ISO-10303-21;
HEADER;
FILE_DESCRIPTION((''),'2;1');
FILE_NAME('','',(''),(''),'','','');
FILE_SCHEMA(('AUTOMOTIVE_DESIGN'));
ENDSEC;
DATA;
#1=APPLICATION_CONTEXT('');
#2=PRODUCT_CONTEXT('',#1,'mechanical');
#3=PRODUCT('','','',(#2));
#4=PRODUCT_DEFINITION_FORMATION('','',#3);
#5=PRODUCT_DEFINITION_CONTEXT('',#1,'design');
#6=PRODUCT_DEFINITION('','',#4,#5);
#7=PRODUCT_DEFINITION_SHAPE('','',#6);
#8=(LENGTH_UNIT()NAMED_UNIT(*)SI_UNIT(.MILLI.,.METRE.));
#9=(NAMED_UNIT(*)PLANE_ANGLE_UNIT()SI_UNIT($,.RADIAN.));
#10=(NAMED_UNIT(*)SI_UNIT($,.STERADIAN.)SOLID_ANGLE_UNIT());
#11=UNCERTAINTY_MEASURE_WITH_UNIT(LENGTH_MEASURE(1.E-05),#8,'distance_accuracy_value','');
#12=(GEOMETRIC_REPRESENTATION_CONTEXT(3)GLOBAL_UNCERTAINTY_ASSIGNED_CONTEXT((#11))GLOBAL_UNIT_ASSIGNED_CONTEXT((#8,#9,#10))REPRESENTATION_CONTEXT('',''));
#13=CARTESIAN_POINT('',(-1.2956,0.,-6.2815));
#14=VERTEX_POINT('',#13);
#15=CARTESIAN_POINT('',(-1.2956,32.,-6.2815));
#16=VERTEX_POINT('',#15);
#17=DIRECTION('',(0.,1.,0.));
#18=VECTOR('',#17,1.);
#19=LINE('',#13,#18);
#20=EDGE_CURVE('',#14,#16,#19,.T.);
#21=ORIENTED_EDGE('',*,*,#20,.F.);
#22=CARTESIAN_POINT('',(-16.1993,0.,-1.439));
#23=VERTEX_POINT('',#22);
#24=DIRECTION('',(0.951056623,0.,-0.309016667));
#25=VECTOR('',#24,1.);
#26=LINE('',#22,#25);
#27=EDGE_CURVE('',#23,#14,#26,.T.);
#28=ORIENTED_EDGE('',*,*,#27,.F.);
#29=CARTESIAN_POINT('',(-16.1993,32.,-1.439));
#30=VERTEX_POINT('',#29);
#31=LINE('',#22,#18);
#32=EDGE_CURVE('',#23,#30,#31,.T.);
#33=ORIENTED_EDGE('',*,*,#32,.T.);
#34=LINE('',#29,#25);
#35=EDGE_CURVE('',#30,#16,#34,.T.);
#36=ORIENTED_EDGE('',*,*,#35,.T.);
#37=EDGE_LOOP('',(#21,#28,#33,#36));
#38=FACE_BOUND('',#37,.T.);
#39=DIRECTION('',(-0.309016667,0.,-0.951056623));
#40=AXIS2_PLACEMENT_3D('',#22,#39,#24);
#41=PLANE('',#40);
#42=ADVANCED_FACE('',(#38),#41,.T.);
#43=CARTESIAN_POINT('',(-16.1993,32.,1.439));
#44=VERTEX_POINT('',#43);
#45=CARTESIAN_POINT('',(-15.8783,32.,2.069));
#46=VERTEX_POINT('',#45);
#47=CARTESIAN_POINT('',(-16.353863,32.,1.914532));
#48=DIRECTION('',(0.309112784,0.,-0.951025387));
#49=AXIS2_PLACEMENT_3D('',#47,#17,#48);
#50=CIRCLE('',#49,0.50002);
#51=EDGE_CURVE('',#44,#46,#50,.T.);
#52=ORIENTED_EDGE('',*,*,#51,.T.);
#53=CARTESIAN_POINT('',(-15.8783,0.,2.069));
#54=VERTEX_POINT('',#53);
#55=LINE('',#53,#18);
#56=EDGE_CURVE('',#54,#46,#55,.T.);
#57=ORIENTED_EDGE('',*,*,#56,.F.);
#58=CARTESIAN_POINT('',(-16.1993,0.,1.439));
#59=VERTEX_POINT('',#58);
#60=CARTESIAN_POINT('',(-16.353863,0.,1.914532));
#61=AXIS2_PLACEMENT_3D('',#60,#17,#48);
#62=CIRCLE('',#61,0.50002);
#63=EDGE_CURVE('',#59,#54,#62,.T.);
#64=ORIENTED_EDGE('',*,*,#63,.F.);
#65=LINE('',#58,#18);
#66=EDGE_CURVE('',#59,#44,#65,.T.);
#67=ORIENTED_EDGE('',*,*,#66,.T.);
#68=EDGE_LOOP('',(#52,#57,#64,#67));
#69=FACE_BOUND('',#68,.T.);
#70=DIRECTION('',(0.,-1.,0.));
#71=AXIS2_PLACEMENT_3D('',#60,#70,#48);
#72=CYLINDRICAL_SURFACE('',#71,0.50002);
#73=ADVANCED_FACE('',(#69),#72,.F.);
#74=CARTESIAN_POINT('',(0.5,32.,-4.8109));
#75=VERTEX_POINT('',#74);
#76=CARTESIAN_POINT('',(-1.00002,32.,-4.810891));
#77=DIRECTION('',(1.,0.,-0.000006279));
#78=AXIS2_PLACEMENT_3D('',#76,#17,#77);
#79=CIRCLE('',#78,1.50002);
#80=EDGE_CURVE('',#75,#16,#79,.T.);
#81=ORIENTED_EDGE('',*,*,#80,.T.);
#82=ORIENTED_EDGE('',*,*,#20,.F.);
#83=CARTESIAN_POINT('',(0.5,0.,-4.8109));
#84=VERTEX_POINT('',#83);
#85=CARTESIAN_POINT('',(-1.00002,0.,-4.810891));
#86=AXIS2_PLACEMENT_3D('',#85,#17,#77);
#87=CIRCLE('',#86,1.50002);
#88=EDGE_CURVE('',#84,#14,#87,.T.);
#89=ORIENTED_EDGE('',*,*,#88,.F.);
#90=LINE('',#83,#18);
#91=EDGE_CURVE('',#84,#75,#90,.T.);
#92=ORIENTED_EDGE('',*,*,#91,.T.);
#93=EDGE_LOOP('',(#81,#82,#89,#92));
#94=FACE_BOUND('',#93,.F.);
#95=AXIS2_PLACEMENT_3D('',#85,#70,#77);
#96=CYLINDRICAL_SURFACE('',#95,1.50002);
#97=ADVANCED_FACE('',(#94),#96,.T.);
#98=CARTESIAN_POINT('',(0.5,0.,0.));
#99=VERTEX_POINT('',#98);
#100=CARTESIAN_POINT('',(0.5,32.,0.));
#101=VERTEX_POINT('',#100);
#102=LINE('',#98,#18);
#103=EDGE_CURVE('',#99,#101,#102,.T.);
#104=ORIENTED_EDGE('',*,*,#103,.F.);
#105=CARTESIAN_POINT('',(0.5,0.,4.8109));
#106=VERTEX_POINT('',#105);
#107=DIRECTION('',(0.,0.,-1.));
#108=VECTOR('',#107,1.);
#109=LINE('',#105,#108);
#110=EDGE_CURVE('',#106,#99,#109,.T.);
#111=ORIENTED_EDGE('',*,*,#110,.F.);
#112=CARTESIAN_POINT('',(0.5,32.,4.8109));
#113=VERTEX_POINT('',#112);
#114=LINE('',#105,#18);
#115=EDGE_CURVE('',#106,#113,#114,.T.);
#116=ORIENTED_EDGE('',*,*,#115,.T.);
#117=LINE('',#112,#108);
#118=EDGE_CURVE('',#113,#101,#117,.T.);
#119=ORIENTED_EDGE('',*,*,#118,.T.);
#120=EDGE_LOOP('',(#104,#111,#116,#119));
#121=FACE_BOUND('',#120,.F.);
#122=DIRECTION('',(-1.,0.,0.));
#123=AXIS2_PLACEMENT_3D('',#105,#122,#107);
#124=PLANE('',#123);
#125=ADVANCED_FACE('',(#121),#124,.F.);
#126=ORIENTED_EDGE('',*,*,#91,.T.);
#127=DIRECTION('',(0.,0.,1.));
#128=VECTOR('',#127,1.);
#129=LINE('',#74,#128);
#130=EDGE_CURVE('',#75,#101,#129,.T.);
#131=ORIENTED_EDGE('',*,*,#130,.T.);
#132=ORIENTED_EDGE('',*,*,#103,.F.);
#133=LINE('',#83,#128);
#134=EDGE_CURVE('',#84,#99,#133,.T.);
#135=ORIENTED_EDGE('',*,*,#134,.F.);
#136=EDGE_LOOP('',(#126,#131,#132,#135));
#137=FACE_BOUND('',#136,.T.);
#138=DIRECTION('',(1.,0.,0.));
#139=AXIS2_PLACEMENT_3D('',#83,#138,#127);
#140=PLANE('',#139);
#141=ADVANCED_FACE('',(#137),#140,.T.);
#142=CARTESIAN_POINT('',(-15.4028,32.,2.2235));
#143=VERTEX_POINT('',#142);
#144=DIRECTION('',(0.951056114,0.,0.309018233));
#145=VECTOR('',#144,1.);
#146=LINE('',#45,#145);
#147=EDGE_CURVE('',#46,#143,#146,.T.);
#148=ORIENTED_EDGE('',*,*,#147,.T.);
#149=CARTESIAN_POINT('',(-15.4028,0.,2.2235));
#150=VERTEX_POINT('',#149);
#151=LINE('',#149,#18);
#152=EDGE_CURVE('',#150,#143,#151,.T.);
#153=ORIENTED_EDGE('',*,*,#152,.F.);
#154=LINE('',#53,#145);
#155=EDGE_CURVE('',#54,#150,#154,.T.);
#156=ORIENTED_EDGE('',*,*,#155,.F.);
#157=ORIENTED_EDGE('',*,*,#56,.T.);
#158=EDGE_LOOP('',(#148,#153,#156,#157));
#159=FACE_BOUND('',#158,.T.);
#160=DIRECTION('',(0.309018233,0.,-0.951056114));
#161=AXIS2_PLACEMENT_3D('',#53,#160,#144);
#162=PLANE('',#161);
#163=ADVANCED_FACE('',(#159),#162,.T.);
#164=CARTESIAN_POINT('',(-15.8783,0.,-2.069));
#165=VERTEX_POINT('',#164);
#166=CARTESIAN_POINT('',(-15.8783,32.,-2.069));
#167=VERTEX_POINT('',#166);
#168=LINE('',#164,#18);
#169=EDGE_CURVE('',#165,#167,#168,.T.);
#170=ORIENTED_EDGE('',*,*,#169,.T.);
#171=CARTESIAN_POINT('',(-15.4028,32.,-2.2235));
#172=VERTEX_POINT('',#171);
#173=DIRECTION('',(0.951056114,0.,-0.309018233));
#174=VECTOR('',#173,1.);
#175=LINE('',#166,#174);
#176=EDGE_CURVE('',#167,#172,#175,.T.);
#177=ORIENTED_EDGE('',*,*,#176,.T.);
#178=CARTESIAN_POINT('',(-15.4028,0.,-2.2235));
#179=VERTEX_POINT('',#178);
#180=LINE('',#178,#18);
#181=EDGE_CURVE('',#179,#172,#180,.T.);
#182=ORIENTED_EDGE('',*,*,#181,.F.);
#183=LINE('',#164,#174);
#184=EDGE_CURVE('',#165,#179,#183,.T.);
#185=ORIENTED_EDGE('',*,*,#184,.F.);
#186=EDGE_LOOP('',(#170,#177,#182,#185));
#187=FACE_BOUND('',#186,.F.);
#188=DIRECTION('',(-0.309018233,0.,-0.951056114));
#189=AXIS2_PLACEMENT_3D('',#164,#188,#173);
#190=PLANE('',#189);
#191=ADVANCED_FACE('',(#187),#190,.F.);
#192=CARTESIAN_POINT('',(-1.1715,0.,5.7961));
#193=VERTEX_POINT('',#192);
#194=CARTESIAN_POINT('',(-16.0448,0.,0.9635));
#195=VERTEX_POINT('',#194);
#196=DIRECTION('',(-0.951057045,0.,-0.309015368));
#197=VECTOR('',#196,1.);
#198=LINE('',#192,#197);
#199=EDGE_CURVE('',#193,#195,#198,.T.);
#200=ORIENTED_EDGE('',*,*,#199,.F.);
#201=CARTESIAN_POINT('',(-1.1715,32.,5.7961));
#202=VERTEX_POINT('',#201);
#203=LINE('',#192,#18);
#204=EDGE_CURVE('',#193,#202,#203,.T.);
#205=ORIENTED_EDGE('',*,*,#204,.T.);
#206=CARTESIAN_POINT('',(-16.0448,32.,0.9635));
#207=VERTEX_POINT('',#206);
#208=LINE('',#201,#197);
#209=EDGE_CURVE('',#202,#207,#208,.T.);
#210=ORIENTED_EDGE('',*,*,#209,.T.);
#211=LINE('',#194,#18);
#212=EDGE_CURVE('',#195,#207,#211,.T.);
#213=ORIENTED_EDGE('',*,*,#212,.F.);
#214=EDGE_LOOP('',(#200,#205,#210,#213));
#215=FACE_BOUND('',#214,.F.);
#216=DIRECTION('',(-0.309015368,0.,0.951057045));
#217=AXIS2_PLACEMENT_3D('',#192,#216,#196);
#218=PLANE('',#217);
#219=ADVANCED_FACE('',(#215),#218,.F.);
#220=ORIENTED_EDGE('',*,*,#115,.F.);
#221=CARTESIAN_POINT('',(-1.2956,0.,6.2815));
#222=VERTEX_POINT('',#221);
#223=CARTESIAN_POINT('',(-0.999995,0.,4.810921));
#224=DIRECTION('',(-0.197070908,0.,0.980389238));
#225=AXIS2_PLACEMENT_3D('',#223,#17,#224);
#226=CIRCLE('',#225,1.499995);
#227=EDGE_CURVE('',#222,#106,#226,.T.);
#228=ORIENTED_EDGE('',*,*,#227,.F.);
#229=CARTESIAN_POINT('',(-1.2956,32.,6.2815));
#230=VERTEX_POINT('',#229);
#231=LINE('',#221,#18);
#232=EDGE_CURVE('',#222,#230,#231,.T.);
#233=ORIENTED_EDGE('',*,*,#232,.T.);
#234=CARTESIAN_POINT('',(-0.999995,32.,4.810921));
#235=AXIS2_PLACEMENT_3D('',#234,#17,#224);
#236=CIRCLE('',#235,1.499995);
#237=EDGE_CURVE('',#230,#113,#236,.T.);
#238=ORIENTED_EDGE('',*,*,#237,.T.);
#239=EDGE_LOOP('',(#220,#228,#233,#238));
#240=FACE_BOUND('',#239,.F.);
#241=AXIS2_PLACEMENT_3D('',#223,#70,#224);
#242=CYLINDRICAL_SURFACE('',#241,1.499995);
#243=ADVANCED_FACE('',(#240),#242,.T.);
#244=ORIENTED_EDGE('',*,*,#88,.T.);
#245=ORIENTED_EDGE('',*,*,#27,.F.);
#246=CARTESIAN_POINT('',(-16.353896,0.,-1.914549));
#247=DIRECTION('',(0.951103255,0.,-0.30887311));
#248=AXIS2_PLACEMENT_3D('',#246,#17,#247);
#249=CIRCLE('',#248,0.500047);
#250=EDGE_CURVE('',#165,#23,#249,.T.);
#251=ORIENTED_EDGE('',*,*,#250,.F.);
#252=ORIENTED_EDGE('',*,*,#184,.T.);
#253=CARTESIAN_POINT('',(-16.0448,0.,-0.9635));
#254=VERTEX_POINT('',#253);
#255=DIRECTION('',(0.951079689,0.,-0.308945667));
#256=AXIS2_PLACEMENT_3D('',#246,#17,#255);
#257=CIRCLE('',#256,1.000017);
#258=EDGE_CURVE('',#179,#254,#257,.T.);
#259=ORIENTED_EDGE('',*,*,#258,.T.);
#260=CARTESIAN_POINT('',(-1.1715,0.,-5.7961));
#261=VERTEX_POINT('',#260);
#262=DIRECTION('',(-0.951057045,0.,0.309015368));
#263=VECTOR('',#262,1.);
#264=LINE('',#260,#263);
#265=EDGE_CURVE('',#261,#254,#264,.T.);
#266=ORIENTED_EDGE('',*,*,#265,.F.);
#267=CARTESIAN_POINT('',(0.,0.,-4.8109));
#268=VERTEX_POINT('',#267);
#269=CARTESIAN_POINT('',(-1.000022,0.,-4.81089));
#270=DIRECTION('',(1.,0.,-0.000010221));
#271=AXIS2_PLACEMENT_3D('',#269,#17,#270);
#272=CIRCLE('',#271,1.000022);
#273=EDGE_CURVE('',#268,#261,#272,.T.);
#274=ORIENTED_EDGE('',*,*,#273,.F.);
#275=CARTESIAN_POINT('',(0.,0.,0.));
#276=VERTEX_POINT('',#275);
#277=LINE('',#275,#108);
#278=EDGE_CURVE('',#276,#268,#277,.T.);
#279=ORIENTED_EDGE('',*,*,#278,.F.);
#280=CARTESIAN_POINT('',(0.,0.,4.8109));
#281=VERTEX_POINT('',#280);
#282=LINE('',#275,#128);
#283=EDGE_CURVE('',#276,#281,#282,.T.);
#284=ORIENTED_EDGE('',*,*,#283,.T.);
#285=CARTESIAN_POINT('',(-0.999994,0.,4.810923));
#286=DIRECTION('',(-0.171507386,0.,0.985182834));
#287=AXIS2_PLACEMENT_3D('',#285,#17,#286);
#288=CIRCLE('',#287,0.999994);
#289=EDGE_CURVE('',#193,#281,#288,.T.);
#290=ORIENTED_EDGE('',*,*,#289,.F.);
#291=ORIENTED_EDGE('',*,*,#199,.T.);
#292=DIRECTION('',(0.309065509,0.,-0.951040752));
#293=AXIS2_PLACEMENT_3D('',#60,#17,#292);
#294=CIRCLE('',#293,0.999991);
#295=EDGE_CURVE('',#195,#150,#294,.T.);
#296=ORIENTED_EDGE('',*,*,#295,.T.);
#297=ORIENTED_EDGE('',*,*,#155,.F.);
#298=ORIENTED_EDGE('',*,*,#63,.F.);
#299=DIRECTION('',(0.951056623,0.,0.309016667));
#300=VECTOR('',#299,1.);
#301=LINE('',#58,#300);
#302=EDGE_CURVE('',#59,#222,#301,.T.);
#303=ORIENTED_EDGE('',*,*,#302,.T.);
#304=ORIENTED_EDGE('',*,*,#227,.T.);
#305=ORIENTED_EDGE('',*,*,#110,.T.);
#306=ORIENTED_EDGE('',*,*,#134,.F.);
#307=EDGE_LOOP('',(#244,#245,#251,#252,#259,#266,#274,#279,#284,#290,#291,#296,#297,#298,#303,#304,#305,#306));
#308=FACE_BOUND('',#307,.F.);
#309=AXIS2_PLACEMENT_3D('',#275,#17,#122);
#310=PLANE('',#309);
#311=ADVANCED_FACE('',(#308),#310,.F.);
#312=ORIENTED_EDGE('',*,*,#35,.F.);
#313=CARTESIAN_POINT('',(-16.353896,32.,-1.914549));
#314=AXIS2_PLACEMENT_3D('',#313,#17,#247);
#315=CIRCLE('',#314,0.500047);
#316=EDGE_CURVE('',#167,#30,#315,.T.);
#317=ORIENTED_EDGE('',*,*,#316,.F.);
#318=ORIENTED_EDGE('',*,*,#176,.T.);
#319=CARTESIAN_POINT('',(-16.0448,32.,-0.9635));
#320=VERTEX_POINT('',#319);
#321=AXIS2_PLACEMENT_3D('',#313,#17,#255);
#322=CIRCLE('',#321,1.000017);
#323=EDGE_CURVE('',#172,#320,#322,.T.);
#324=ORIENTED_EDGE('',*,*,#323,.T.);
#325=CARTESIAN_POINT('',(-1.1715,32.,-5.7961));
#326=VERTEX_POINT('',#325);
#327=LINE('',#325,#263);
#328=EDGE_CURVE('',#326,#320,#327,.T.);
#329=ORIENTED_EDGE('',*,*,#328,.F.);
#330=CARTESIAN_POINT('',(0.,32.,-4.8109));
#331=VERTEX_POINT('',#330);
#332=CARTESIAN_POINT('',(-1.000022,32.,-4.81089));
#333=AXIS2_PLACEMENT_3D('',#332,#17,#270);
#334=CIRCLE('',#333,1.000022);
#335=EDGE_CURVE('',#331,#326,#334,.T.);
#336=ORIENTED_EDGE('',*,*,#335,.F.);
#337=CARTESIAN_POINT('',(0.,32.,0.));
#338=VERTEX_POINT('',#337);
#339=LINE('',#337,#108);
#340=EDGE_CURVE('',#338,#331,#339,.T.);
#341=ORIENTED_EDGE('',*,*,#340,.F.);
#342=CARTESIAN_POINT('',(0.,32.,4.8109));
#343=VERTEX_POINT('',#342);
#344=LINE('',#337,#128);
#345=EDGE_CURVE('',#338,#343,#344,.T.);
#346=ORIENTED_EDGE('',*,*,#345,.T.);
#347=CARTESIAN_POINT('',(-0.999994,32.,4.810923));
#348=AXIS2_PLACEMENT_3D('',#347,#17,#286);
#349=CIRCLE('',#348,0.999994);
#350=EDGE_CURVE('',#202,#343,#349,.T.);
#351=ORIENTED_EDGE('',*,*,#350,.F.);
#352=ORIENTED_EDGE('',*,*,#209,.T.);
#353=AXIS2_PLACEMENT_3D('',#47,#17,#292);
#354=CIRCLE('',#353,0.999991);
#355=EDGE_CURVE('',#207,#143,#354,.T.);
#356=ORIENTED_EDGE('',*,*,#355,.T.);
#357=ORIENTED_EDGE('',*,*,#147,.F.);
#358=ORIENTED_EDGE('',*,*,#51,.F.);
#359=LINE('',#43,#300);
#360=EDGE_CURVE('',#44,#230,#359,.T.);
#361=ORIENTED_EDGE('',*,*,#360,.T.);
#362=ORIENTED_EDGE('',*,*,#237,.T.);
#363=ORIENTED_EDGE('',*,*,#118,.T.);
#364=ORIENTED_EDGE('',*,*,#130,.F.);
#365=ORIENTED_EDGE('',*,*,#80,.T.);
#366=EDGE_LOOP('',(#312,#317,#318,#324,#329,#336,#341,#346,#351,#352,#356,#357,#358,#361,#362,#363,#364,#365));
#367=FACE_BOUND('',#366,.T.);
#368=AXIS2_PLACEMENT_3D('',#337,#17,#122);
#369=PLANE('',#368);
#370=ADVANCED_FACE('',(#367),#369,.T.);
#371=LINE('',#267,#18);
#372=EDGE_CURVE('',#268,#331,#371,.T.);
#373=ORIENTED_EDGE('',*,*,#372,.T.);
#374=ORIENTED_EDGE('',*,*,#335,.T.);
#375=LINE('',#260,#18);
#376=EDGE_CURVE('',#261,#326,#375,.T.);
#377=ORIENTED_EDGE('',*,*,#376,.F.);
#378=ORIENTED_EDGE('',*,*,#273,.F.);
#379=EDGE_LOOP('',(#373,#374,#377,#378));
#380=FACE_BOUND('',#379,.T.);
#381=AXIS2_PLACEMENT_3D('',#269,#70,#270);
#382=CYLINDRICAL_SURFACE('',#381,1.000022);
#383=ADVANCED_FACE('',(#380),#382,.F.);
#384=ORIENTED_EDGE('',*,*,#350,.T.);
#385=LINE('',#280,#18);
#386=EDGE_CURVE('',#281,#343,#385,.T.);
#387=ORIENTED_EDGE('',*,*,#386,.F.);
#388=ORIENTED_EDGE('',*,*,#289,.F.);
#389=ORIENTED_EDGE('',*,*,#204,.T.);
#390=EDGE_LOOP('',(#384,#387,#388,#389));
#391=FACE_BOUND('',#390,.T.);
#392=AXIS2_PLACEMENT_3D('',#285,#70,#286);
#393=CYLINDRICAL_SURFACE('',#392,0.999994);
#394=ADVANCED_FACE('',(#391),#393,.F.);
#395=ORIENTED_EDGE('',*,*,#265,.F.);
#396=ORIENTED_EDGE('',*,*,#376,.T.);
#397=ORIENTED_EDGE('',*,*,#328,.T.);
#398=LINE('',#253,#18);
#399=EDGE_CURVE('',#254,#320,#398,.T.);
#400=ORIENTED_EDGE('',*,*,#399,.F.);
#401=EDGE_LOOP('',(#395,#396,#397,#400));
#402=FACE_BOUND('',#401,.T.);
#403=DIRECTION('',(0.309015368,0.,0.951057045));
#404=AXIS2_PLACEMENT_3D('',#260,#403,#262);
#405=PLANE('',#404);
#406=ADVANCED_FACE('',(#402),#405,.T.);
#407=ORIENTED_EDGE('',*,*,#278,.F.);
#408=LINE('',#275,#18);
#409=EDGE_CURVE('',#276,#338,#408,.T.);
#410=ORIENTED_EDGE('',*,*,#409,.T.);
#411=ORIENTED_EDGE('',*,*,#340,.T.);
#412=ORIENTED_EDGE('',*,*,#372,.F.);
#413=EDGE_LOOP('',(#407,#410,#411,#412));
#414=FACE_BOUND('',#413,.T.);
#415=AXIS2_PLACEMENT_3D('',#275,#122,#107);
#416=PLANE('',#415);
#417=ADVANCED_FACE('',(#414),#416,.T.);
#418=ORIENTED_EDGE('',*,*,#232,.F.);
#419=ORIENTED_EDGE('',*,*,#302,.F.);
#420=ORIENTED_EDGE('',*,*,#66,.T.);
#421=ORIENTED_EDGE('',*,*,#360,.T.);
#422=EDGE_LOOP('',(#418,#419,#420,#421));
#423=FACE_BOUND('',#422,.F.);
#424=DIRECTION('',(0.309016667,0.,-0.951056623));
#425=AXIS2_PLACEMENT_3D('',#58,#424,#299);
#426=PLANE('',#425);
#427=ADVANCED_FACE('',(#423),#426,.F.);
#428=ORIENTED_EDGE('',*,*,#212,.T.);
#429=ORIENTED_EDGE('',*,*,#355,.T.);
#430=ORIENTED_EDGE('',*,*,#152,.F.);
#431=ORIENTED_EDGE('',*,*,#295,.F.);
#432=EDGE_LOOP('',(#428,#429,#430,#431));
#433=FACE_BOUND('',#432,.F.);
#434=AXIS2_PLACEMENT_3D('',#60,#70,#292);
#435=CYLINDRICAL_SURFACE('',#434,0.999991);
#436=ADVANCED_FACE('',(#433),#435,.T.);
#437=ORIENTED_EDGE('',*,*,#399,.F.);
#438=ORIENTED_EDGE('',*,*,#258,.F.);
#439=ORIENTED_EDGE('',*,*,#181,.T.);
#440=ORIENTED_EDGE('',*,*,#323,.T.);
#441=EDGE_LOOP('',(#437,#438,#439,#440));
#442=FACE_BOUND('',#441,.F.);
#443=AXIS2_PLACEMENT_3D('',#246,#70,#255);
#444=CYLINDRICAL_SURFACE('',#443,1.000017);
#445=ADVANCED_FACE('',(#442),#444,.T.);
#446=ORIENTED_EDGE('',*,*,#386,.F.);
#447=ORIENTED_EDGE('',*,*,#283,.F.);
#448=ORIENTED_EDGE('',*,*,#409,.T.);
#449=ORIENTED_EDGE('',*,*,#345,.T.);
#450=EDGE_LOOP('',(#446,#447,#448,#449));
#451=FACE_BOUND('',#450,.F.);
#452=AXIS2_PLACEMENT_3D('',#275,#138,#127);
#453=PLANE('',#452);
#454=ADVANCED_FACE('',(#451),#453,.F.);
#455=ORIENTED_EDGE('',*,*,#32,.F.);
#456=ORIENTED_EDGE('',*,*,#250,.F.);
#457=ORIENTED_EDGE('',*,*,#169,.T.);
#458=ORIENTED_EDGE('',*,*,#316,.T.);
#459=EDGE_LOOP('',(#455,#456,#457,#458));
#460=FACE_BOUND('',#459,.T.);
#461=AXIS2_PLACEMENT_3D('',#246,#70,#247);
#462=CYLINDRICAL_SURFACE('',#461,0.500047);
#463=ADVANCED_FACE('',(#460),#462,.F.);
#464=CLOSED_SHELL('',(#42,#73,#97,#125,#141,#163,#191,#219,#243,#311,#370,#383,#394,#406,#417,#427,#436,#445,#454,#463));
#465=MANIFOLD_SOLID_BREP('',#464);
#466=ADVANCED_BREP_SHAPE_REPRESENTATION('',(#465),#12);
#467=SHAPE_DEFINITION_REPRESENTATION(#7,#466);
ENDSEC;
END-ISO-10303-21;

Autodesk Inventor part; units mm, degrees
ref_plane "YZ Plane" through (0, 0, 0) normal (1, 0, 0) x (0, 1, 0)
ref_plane "XZ Plane" through (0, 0, 0) normal (0, 1, 0) x (-1, 0, 0)
ref_plane "XY Plane" through (0, 0, 0) normal (0, 0, 1) x (1, 0, 0)
sketch "Sketch1" plane through (0, 0, 0) normal (0, 1, 0) x (-1, 0, 0)
  line L0 (0, 0) -> (6, 0) construction
  line L1 (0, 0) -> (0, -4.8109)
  line L2 (0.5522, -6.0201) -> (1.6839, -6.0201) construction
  line L3 (0, -6) -> (3.6357, -6) construction
  arc A0 (0, -4.8109) -> (1.1715, -5.7961) centre (1, -4.8109) ccw
  line L4 (1.1715, -5.7961) -> (16.0448, -0.9635)
  line L5 (1.1715, -5.7961) -> (19.9281, -5.7961) construction
  line L6 (16.3387, 0) -> (18.0887, 0) construction
  arc A1 (15.4028, -2.2235) -> (16.0448, -0.9635) centre (16.3539, -1.9145) ccw
  line L7 (0, 0) -> (0, 4.8109)
  arc A2 (1.1715, 5.7961) -> (0, 4.8109) centre (1, 4.8109) ccw
  line L8 (1.1715, 5.7961) -> (16.0448, 0.9635)
  arc A3 (16.0448, 0.9635) -> (15.4028, 2.2235) centre (16.3539, 1.9145) ccw
  line L9 (16.1993, 1.439) -> (1.2956, 6.2815)
  arc A4 (1.2956, 6.2815) -> (-0.5, 4.8109) centre (1, 4.8109) ccw
  line L10 (-0.5, 4.8109) -> (-0.5, 0)
  line L11 (16.1993, -1.439) -> (1.2956, -6.2815)
  arc A5 (-0.5, -4.8109) -> (1.2956, -6.2815) centre (1, -4.8109) ccw
  line L12 (-0.5, -4.8109) -> (-0.5, 0)
  arc A6 (15.8783, -2.069) -> (16.1993, -1.439) centre (16.3539, -1.9145) ccw
  arc A7 (16.1993, 1.439) -> (15.8783, 2.069) centre (16.3539, 1.9145) ccw
  line L13 (15.8783, 2.069) -> (15.4028, 2.2235)
  line L14 (15.8783, -2.069) -> (15.4028, -2.2235)
  dimension "d3" = 6
  dimension "d16" = 1
  dimension "d17" = 18
  dimension "d28" = 0.5
  dimension "d29" = 0.5
  dimension "d32" = 4.8109
  dimension "d58" = 14.9037
  dimension "d59" = 14.8734
  dimension "d60" = 1.5
  dimension "d61" = 1
  dimension "d62" = 0.5
extrude "Extrusion1" add sketch "Sketch1" along normal blind 32
properties part number "Assignment 2"
